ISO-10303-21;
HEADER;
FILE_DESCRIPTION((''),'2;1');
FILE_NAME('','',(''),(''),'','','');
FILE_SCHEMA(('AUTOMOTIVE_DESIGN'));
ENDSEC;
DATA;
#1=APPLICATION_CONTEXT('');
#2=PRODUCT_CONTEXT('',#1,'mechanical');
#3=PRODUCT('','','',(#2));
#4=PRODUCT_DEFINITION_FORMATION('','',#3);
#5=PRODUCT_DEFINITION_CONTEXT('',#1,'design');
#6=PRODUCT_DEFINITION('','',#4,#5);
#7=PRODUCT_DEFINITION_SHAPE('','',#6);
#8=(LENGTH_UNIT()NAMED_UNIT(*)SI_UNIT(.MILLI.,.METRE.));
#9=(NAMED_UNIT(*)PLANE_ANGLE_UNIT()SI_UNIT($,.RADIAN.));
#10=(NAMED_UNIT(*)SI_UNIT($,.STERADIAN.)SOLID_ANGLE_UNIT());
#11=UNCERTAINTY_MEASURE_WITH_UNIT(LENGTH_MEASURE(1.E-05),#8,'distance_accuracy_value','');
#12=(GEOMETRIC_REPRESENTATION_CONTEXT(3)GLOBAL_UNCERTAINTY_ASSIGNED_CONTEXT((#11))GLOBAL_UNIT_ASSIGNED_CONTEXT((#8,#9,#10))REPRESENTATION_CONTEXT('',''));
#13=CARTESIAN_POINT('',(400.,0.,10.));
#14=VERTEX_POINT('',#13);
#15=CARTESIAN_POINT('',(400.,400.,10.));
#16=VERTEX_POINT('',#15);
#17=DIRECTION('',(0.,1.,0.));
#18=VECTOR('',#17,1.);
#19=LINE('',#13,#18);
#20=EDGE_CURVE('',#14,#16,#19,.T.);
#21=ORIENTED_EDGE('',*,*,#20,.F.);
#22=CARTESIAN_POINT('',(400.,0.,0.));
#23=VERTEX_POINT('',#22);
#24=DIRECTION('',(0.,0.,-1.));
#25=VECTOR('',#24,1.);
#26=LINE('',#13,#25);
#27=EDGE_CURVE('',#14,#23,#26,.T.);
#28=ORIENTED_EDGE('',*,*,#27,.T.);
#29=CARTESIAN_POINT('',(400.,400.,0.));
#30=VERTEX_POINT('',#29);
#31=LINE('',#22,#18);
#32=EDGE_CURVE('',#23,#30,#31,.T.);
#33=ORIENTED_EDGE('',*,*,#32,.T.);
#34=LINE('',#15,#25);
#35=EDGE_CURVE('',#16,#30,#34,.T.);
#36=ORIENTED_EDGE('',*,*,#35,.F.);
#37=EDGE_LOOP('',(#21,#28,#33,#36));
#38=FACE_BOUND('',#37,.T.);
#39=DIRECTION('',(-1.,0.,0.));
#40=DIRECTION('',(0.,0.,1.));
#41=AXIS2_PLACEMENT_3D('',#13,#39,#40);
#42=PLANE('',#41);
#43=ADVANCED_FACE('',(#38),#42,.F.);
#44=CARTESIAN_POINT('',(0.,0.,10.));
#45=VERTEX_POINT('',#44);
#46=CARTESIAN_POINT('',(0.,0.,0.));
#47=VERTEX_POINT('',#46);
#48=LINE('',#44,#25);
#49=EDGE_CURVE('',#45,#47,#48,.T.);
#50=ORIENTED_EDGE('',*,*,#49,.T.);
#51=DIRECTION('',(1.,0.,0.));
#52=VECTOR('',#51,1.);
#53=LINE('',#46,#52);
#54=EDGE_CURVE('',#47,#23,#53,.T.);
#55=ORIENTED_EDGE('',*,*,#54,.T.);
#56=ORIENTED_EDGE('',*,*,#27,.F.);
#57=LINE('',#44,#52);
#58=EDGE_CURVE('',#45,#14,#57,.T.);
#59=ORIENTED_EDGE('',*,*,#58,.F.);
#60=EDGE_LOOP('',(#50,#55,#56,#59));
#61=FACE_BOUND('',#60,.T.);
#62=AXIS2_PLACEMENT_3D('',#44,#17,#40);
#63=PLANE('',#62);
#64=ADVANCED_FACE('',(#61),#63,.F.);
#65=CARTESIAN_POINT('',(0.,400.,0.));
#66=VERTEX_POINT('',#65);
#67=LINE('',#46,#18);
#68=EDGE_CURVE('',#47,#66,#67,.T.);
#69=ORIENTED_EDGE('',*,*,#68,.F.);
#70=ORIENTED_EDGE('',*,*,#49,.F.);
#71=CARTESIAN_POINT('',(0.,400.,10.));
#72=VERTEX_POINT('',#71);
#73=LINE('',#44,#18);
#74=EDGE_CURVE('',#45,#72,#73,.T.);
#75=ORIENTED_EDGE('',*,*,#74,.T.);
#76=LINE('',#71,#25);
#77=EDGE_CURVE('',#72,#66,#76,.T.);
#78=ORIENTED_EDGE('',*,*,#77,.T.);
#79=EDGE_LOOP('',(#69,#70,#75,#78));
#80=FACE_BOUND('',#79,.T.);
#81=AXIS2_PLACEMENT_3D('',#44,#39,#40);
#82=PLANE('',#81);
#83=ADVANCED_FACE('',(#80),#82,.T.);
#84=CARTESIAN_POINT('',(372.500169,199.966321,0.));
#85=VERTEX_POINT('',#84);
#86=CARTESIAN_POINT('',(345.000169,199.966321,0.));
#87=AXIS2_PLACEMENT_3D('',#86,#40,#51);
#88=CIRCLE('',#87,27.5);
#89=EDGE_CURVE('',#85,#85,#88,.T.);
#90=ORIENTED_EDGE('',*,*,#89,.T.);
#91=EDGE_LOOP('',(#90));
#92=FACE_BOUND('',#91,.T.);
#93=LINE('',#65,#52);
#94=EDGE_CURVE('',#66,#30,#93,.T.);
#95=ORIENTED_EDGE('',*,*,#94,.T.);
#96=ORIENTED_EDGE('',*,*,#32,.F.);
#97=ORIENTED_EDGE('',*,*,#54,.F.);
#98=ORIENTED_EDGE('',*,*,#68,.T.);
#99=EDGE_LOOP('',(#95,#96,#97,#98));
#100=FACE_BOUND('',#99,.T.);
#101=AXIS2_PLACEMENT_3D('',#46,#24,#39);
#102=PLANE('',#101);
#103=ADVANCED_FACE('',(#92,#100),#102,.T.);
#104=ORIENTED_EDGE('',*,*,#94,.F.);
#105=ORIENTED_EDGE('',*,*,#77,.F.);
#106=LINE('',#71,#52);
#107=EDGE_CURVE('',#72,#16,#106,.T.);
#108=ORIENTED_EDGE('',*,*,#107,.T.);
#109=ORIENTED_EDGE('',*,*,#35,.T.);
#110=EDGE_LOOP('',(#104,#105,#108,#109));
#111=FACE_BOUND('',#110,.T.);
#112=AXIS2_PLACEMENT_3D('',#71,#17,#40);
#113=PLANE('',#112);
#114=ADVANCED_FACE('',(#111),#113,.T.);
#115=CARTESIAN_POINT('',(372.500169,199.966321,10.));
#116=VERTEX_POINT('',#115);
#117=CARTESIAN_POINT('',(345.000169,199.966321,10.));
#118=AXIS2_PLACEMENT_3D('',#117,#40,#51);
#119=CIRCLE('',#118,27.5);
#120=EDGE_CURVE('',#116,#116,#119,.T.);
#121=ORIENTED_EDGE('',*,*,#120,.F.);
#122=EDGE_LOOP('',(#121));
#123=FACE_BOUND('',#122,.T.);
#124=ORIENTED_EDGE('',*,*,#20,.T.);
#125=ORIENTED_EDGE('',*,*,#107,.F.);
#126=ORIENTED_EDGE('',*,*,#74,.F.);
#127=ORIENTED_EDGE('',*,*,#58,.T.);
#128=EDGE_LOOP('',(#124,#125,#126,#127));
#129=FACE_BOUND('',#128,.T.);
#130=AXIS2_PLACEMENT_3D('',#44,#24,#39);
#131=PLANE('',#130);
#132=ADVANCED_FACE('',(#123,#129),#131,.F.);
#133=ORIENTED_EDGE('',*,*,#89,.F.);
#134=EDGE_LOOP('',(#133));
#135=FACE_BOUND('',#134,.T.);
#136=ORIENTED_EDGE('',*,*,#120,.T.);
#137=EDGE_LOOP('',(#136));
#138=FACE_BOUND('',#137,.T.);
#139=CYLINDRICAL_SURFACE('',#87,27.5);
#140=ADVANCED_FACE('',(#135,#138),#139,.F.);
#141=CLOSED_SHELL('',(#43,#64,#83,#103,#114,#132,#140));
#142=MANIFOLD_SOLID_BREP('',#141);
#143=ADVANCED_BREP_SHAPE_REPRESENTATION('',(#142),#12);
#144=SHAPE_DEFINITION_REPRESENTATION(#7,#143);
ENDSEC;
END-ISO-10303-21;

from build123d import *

# Parameters (mm, degrees)
SKETCH1_W           = 400
SKETCH1_H           = 400
BOSS_EXTRUDE1_DEPTH = 10
SKETCH4_R           = 27.5
CUT_EXTRUDE1_DEPTH  = 566.773806393


with BuildPart() as part:
    # Sketch1 → Boss-Extrude1 (new body)
    with BuildSketch(Plane.XY):
        with Locations((200, 200)):
            Rectangle(SKETCH1_W, SKETCH1_H)
    extrude(amount=BOSS_EXTRUDE1_DEPTH)

    # Sketch4 → Cut-Extrude1 (cut, through all)
    with BuildSketch(Plane.XY.offset(10)):
        with Locations((345.000168938, 199.966321147)):
            Circle(SKETCH4_R)
    extrude(amount=-CUT_EXTRUDE1_DEPTH, mode=Mode.SUBTRACT)


solid = part.part
